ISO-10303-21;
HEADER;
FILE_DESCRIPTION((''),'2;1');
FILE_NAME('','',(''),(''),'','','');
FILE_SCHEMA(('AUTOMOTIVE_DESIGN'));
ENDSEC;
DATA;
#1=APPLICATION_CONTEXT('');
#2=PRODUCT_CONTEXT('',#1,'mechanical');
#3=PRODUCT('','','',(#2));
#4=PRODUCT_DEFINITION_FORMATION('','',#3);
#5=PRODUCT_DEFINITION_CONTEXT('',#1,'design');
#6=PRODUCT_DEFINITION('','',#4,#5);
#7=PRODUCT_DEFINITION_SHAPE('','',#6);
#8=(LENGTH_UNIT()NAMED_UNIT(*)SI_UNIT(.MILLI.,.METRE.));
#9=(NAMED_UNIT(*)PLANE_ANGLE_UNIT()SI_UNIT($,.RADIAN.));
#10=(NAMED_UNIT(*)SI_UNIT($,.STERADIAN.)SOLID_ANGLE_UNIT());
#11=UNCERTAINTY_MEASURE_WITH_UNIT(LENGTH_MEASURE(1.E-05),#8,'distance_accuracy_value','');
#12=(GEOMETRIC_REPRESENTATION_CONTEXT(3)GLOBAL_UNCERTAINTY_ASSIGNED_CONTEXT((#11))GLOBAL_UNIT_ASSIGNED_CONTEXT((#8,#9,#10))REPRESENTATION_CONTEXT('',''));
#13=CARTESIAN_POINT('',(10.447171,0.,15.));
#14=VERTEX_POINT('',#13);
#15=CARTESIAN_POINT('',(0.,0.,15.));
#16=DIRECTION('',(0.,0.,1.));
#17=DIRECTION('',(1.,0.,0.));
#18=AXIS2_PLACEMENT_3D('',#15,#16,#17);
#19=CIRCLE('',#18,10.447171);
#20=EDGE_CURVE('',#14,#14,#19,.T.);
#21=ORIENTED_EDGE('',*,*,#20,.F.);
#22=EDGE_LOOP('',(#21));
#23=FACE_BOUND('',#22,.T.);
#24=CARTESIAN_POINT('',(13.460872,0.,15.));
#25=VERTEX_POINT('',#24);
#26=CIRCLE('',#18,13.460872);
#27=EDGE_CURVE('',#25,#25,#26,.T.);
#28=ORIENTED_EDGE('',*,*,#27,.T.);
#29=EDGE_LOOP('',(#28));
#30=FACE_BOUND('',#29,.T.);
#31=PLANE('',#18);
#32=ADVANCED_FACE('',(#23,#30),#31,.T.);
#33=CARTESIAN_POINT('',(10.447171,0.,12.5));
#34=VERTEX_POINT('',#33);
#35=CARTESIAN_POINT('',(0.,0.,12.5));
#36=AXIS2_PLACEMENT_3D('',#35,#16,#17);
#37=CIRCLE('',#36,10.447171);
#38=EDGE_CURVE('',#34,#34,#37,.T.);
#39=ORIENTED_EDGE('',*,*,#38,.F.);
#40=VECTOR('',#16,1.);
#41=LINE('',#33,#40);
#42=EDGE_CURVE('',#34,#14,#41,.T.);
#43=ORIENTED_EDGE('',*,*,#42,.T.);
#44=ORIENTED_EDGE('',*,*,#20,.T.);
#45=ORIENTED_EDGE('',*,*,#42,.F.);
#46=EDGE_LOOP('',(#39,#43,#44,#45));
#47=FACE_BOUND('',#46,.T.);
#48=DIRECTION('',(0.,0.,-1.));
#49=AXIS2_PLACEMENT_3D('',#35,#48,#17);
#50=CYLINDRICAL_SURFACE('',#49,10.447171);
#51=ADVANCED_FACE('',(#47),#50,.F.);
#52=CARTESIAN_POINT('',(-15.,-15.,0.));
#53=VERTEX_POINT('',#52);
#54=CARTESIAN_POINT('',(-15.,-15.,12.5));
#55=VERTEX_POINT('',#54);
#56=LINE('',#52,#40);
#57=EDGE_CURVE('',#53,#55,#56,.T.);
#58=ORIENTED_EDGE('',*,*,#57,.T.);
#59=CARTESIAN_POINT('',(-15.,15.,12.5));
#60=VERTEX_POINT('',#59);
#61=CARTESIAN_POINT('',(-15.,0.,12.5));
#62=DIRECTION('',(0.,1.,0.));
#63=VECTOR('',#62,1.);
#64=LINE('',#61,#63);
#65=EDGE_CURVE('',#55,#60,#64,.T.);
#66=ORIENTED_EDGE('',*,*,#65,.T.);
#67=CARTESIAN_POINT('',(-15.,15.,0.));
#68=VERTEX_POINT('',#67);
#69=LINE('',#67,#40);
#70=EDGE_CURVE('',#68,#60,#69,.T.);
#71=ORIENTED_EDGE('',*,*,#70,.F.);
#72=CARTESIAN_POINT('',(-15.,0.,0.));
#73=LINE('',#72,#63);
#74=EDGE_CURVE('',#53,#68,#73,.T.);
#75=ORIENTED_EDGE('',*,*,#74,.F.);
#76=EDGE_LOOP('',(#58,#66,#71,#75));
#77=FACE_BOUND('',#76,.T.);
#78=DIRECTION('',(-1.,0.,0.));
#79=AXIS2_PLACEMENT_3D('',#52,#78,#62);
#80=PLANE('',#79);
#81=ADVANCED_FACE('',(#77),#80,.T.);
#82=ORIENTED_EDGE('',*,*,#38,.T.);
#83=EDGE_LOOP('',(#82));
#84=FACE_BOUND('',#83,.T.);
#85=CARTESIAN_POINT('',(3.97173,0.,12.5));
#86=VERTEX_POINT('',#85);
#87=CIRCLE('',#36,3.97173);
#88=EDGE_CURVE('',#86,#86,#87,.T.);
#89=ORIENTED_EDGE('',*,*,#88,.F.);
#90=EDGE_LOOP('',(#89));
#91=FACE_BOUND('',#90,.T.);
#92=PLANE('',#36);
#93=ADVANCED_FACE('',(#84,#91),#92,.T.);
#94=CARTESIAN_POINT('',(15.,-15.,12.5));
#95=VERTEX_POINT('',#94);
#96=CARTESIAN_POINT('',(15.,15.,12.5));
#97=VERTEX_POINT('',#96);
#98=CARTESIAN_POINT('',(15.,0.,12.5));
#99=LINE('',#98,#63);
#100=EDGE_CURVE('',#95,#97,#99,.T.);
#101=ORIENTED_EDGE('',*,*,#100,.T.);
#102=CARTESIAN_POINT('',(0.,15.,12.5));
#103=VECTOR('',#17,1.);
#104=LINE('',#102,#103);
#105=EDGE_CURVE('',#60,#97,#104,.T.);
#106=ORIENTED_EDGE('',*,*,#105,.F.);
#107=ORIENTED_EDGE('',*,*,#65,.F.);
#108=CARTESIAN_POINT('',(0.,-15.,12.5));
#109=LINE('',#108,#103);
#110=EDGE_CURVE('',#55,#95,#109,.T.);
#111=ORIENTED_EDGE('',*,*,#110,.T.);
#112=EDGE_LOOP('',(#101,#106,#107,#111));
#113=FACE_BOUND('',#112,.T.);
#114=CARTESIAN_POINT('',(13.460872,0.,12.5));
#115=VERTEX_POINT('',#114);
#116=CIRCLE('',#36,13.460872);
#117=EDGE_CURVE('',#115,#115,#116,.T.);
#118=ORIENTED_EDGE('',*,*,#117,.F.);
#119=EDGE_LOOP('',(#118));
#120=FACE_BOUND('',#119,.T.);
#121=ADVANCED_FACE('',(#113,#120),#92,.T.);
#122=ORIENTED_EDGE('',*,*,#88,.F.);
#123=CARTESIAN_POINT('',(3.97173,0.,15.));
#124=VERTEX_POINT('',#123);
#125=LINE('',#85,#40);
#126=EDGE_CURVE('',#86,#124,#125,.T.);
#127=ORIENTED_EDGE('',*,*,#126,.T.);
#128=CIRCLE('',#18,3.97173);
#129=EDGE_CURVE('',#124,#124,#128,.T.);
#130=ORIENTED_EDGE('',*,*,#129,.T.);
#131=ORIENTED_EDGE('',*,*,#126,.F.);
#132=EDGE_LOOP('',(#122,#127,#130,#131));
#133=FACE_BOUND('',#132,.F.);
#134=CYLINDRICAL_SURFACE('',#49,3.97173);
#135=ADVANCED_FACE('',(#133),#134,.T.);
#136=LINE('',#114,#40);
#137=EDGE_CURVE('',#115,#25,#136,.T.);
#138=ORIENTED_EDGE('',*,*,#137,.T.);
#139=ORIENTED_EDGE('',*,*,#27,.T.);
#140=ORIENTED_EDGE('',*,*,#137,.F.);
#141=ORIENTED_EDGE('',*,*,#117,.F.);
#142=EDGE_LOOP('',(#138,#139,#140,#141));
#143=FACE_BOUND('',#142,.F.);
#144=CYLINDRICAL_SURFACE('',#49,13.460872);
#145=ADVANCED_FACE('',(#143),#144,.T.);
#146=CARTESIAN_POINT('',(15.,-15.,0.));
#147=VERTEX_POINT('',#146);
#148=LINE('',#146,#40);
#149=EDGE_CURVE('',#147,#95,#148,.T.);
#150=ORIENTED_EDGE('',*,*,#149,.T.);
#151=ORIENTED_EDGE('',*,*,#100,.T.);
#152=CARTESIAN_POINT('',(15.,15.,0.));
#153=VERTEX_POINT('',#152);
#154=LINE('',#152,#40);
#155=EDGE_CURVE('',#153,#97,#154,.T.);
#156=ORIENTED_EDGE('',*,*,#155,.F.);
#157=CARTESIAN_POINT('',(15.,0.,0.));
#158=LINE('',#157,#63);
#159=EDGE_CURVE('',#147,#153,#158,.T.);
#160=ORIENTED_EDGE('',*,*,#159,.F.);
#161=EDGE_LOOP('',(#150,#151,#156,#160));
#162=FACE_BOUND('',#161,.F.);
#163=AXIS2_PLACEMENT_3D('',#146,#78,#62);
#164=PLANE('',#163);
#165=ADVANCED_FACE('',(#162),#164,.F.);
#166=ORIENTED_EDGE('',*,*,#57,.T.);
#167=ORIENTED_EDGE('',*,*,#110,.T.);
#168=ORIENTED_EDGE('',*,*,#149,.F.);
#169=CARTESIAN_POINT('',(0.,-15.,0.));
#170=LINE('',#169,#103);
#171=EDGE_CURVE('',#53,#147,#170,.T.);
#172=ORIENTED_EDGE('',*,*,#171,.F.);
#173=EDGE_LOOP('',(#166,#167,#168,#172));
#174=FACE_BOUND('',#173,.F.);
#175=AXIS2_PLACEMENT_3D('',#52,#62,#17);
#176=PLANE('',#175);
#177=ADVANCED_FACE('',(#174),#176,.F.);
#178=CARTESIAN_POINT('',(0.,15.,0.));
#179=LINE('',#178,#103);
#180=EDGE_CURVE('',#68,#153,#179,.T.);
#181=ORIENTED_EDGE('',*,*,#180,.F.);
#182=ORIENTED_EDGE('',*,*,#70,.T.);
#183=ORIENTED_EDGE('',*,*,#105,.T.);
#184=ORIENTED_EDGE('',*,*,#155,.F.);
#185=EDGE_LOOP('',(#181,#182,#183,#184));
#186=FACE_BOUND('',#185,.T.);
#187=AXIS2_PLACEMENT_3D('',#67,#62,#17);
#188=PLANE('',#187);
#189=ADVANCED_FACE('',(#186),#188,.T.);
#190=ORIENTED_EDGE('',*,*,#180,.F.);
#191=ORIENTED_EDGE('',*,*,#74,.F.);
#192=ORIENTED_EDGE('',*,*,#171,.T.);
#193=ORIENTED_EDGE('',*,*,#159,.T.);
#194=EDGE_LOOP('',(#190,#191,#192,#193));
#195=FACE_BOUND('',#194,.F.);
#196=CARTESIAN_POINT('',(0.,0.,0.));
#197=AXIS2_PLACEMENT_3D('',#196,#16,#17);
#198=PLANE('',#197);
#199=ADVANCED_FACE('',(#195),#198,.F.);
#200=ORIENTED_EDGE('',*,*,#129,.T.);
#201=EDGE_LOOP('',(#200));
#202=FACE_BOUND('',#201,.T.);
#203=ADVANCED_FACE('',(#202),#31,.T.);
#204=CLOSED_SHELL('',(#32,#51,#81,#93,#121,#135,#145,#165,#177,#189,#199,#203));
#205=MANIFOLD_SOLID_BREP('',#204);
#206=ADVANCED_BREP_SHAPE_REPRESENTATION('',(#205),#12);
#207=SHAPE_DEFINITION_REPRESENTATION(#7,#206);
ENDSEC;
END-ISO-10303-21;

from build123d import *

# Parameters (mm, degrees)
F0_W     = 30
F0_H     = 30
F1_DEPTH = 12.5
F3_R     = 13.460872
F3_R_2   = 10.447171
F4_DEPTH = 2.5
F2_R     = 3.97173
F5_DEPTH = 2.5


with BuildPart() as f1:
    # F0 (on Top) → F1 (new body)
    with BuildSketch(Plane.XY):
        Rectangle(F0_W, F0_H)
    extrude(amount=F1_DEPTH)

    # F3 (on face) → F4 (join)
    with BuildSketch(Plane.XY.offset(12.5)):
        Circle(F3_R)
        Circle(F3_R_2, mode=Mode.SUBTRACT)
    extrude(amount=F4_DEPTH)

    # F2 (on face) → F5 (join)
    with BuildSketch(Plane.XY.offset(12.5)):
        Circle(F2_R)
    extrude(amount=F5_DEPTH)


solid = f1.part
